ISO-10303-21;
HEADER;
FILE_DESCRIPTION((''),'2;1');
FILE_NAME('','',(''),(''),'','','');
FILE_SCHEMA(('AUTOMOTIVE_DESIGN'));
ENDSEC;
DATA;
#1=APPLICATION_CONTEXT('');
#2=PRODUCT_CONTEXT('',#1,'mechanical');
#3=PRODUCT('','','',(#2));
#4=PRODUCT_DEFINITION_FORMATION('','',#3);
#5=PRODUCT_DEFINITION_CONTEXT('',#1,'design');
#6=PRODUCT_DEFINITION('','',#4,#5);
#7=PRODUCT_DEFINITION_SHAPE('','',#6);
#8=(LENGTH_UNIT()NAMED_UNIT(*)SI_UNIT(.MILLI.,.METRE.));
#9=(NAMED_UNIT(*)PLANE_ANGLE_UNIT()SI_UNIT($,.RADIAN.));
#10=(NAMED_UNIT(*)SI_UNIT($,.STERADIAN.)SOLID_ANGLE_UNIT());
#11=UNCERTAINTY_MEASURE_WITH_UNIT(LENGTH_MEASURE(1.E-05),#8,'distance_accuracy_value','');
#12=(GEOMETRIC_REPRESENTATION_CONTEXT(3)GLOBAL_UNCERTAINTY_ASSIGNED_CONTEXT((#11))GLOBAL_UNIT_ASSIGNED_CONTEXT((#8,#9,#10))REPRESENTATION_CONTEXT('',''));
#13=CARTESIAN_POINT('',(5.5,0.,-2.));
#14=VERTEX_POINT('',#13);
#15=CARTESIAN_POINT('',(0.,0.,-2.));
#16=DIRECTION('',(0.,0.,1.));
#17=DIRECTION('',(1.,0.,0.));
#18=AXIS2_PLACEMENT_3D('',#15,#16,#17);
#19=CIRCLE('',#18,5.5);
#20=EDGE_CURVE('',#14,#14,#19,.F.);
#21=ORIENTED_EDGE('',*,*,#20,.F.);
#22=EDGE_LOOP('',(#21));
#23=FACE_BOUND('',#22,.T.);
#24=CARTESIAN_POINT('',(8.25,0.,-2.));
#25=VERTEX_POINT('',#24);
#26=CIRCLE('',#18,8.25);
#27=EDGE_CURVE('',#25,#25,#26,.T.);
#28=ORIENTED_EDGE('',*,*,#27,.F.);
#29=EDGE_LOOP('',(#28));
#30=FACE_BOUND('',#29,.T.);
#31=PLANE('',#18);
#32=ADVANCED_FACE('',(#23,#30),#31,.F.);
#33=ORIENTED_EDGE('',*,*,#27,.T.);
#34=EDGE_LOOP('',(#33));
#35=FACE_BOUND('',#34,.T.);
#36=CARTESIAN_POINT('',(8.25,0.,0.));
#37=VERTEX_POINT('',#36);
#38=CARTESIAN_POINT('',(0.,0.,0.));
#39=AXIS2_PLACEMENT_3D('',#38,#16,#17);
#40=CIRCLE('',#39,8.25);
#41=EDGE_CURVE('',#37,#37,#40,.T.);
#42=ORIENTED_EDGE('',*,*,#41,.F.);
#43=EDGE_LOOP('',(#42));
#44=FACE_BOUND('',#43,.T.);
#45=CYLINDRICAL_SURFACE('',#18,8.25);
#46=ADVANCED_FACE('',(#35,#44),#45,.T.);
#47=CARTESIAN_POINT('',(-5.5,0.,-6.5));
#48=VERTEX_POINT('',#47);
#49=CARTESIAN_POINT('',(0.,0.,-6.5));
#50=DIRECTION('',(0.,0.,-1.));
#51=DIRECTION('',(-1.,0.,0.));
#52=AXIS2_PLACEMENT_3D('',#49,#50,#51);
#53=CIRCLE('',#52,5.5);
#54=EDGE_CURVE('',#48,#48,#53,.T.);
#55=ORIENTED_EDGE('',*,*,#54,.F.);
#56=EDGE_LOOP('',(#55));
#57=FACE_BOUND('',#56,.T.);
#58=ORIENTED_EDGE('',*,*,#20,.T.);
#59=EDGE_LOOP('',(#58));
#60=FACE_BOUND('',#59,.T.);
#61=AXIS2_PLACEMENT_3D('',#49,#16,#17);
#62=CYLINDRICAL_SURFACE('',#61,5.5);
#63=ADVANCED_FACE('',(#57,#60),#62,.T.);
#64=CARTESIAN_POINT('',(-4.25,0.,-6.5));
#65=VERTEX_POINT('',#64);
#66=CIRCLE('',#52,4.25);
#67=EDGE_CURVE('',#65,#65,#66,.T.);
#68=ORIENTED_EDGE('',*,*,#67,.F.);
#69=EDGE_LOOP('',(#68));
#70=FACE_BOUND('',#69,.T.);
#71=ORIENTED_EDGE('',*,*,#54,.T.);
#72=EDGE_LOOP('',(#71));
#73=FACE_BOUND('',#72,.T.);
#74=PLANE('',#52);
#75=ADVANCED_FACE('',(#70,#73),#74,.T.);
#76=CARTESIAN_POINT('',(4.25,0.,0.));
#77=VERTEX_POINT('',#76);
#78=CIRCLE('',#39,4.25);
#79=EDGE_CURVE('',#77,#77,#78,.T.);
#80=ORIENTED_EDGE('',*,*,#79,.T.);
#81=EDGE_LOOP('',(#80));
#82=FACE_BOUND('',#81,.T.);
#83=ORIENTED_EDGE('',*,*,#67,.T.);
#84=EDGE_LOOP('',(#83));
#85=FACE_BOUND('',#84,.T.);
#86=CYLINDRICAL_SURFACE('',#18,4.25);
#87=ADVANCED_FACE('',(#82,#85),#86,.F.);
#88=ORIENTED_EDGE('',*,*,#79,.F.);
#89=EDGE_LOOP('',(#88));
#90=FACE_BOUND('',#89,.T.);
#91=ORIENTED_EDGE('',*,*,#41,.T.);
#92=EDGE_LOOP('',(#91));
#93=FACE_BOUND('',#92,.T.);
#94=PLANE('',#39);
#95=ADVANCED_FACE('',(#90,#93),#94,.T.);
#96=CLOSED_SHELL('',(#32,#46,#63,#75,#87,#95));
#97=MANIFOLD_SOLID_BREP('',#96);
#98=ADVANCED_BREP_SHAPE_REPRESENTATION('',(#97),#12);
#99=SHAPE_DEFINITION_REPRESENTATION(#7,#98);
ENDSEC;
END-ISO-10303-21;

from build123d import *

# Parameters (mm, degrees)
CROQUIS1_R              = 8.25
CROQUIS1_R_2            = 4.25
SALIENTE_EXTRUIR1_DEPTH = 2
CROQUIS2_R              = 5.5
CROQUIS2_R_2            = 4.25
SALIENTE_EXTRUIR2_DEPTH = 4.5


with BuildPart() as part:
    # Croquis1 → Saliente-Extruir1 (new body)
    with BuildSketch(Plane.XY):
        Circle(CROQUIS1_R)
        Circle(CROQUIS1_R_2, mode=Mode.SUBTRACT)
    extrude(amount=-SALIENTE_EXTRUIR1_DEPTH)

    # Croquis2 → Saliente-Extruir2 (add)
    with BuildSketch(Plane(origin=(0, 0, -2), x_dir=(-1, 0, 0), z_dir=(0, 0, -1))):
        with Locations(Location((0, 0, 0), (0, 0, 180))):
            Circle(CROQUIS2_R)
        with Locations(Location((0, 0, 0), (0, 0, 180))):
            Circle(CROQUIS2_R_2, mode=Mode.SUBTRACT)
    extrude(amount=SALIENTE_EXTRUIR2_DEPTH)


solid = part.part
